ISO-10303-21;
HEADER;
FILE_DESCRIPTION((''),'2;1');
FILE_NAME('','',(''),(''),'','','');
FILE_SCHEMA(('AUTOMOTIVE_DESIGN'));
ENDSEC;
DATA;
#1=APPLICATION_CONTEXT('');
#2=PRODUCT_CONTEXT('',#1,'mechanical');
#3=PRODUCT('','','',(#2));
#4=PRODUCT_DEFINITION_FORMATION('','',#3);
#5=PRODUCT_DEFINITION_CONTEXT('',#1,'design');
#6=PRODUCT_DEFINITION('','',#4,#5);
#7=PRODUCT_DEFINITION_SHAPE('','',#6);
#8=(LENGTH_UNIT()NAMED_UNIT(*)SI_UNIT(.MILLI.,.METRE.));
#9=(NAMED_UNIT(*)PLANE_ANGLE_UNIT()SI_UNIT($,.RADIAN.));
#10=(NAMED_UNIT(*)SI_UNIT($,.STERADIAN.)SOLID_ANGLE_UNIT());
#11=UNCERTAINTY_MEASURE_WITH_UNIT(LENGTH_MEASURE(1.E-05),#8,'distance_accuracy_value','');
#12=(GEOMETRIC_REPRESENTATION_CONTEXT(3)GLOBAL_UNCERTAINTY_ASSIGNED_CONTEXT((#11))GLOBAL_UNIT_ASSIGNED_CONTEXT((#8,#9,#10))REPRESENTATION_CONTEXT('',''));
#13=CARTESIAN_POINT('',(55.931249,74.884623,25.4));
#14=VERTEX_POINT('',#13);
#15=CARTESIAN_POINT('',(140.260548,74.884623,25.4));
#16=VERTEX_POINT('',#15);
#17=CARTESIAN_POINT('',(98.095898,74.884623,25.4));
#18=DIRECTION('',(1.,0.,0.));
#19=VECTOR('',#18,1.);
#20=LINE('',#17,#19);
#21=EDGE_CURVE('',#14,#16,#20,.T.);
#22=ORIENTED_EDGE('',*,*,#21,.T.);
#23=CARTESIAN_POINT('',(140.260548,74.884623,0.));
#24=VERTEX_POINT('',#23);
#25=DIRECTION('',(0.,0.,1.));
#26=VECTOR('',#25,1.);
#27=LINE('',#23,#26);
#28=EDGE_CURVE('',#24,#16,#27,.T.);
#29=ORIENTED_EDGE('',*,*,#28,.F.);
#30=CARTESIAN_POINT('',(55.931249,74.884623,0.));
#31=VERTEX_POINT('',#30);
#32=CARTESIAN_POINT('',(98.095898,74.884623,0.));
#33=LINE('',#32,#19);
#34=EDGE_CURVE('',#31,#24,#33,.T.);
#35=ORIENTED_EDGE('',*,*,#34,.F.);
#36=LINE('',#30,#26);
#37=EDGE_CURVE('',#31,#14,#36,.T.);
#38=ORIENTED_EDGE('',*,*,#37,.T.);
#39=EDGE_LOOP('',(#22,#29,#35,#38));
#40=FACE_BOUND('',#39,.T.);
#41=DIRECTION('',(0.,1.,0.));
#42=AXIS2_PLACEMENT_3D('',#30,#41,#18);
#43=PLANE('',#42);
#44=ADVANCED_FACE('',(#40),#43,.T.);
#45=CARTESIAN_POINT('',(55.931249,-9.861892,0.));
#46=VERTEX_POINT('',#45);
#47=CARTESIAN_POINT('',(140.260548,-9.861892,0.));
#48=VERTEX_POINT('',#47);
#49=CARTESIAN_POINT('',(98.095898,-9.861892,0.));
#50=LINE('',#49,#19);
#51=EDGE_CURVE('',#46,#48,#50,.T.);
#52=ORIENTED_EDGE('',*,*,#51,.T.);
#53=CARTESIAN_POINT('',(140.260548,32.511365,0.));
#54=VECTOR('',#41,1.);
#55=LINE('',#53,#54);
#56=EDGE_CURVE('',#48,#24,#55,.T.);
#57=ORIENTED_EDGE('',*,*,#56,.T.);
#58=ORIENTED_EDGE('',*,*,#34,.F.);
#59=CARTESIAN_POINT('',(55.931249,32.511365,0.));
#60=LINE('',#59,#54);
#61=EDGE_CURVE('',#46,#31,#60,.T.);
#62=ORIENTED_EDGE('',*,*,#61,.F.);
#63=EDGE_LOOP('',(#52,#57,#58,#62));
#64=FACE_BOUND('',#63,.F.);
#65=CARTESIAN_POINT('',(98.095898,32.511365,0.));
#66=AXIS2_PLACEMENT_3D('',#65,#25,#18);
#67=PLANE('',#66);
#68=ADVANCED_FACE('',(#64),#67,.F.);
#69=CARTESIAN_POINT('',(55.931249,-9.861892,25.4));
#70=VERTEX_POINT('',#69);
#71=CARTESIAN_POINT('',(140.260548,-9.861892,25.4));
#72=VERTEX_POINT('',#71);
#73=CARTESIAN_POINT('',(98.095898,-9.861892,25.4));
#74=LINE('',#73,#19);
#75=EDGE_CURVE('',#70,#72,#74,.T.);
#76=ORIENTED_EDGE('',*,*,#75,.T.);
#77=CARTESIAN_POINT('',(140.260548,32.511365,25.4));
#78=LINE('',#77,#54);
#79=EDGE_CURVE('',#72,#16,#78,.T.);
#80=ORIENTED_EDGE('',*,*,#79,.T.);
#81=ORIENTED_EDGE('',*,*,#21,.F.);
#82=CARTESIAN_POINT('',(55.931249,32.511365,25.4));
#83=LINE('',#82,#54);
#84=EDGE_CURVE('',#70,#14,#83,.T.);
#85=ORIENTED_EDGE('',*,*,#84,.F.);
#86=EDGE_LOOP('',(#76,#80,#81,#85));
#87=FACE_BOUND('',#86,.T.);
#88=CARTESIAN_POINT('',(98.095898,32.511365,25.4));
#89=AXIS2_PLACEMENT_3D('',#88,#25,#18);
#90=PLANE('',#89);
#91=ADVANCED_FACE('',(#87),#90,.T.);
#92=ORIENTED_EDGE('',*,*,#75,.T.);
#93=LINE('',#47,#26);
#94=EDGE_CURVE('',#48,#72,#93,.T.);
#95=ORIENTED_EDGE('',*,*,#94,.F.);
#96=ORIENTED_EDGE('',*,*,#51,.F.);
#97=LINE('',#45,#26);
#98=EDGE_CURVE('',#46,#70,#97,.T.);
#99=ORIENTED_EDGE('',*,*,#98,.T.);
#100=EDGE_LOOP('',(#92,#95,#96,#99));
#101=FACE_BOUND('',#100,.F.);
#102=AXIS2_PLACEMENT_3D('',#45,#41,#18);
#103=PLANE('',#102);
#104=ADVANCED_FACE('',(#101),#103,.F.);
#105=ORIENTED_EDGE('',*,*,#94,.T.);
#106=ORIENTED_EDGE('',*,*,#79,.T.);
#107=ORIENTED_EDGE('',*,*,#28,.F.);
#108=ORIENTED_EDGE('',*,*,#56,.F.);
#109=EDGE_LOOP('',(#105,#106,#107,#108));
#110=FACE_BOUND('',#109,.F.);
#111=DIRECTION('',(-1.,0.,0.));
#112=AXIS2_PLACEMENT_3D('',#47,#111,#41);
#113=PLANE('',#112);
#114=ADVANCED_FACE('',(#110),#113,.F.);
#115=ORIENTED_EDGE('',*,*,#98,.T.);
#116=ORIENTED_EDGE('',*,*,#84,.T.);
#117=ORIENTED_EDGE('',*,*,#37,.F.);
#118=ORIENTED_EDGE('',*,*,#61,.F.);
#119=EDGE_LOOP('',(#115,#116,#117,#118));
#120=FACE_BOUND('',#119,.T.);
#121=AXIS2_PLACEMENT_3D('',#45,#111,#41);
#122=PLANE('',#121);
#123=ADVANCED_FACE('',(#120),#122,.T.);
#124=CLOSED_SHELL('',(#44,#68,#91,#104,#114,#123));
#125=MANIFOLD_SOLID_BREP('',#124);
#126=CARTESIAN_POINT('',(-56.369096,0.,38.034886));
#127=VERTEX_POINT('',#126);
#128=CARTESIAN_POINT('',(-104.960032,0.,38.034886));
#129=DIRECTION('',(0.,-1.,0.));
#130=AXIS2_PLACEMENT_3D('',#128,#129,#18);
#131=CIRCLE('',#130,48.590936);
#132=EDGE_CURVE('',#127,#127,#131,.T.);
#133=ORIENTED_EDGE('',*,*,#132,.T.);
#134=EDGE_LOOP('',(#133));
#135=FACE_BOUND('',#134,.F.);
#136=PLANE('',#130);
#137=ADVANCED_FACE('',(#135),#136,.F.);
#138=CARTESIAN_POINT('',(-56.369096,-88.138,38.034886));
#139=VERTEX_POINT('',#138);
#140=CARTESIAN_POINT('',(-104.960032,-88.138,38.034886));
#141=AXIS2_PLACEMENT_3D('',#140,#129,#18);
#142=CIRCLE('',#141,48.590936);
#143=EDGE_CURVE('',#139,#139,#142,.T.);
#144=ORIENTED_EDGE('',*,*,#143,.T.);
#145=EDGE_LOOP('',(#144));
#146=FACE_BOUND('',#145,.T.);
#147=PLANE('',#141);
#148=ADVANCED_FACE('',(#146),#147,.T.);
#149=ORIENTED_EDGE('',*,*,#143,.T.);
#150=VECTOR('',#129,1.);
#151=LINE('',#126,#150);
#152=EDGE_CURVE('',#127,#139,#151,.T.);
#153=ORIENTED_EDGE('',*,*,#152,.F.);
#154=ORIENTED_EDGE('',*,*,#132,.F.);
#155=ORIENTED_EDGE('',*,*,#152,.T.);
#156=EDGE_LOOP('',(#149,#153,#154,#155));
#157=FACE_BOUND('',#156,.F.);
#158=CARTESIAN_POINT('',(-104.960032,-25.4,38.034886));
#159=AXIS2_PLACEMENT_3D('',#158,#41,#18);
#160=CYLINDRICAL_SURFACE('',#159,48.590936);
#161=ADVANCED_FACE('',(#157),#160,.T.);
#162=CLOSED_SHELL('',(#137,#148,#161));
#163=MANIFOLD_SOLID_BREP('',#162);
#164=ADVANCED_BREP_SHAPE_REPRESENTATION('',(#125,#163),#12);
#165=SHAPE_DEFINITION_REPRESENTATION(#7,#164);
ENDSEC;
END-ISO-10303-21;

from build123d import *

# Parameters (mm, degrees)
F0_R      = 48.590936
F1_DEPTH  = 25.4
F1_FACE_R = 48.590936
F2_DEPTH  = 62.738
F3_W      = 84.329299
F3_H      = 84.746515
F4_DEPTH  = 25.4


with BuildPart() as f1:
    # F0 (on Front) → F1 (new body)
    with BuildSketch(Plane.XZ):
        with Locations((-104.960032, 38.034886)):
            Circle(F0_R)
    extrude(amount=F1_DEPTH)

    # F1_face (on face) → F2 (join)
    with BuildSketch(Plane(origin=(-104.960032, -25.4, 38.034886), x_dir=(1, 0, 0), z_dir=(0, -1, 0))):
        Circle(F1_FACE_R)
    extrude(amount=F2_DEPTH)


with BuildPart() as f4:
    # F3 (on Top) → F4 (new body)
    with BuildSketch(Plane.XY):
        with Locations((98.095898, 32.511365)):
            Rectangle(F3_W, F3_H)
    extrude(amount=F4_DEPTH)


solid = Compound([f1.part, f4.part])
